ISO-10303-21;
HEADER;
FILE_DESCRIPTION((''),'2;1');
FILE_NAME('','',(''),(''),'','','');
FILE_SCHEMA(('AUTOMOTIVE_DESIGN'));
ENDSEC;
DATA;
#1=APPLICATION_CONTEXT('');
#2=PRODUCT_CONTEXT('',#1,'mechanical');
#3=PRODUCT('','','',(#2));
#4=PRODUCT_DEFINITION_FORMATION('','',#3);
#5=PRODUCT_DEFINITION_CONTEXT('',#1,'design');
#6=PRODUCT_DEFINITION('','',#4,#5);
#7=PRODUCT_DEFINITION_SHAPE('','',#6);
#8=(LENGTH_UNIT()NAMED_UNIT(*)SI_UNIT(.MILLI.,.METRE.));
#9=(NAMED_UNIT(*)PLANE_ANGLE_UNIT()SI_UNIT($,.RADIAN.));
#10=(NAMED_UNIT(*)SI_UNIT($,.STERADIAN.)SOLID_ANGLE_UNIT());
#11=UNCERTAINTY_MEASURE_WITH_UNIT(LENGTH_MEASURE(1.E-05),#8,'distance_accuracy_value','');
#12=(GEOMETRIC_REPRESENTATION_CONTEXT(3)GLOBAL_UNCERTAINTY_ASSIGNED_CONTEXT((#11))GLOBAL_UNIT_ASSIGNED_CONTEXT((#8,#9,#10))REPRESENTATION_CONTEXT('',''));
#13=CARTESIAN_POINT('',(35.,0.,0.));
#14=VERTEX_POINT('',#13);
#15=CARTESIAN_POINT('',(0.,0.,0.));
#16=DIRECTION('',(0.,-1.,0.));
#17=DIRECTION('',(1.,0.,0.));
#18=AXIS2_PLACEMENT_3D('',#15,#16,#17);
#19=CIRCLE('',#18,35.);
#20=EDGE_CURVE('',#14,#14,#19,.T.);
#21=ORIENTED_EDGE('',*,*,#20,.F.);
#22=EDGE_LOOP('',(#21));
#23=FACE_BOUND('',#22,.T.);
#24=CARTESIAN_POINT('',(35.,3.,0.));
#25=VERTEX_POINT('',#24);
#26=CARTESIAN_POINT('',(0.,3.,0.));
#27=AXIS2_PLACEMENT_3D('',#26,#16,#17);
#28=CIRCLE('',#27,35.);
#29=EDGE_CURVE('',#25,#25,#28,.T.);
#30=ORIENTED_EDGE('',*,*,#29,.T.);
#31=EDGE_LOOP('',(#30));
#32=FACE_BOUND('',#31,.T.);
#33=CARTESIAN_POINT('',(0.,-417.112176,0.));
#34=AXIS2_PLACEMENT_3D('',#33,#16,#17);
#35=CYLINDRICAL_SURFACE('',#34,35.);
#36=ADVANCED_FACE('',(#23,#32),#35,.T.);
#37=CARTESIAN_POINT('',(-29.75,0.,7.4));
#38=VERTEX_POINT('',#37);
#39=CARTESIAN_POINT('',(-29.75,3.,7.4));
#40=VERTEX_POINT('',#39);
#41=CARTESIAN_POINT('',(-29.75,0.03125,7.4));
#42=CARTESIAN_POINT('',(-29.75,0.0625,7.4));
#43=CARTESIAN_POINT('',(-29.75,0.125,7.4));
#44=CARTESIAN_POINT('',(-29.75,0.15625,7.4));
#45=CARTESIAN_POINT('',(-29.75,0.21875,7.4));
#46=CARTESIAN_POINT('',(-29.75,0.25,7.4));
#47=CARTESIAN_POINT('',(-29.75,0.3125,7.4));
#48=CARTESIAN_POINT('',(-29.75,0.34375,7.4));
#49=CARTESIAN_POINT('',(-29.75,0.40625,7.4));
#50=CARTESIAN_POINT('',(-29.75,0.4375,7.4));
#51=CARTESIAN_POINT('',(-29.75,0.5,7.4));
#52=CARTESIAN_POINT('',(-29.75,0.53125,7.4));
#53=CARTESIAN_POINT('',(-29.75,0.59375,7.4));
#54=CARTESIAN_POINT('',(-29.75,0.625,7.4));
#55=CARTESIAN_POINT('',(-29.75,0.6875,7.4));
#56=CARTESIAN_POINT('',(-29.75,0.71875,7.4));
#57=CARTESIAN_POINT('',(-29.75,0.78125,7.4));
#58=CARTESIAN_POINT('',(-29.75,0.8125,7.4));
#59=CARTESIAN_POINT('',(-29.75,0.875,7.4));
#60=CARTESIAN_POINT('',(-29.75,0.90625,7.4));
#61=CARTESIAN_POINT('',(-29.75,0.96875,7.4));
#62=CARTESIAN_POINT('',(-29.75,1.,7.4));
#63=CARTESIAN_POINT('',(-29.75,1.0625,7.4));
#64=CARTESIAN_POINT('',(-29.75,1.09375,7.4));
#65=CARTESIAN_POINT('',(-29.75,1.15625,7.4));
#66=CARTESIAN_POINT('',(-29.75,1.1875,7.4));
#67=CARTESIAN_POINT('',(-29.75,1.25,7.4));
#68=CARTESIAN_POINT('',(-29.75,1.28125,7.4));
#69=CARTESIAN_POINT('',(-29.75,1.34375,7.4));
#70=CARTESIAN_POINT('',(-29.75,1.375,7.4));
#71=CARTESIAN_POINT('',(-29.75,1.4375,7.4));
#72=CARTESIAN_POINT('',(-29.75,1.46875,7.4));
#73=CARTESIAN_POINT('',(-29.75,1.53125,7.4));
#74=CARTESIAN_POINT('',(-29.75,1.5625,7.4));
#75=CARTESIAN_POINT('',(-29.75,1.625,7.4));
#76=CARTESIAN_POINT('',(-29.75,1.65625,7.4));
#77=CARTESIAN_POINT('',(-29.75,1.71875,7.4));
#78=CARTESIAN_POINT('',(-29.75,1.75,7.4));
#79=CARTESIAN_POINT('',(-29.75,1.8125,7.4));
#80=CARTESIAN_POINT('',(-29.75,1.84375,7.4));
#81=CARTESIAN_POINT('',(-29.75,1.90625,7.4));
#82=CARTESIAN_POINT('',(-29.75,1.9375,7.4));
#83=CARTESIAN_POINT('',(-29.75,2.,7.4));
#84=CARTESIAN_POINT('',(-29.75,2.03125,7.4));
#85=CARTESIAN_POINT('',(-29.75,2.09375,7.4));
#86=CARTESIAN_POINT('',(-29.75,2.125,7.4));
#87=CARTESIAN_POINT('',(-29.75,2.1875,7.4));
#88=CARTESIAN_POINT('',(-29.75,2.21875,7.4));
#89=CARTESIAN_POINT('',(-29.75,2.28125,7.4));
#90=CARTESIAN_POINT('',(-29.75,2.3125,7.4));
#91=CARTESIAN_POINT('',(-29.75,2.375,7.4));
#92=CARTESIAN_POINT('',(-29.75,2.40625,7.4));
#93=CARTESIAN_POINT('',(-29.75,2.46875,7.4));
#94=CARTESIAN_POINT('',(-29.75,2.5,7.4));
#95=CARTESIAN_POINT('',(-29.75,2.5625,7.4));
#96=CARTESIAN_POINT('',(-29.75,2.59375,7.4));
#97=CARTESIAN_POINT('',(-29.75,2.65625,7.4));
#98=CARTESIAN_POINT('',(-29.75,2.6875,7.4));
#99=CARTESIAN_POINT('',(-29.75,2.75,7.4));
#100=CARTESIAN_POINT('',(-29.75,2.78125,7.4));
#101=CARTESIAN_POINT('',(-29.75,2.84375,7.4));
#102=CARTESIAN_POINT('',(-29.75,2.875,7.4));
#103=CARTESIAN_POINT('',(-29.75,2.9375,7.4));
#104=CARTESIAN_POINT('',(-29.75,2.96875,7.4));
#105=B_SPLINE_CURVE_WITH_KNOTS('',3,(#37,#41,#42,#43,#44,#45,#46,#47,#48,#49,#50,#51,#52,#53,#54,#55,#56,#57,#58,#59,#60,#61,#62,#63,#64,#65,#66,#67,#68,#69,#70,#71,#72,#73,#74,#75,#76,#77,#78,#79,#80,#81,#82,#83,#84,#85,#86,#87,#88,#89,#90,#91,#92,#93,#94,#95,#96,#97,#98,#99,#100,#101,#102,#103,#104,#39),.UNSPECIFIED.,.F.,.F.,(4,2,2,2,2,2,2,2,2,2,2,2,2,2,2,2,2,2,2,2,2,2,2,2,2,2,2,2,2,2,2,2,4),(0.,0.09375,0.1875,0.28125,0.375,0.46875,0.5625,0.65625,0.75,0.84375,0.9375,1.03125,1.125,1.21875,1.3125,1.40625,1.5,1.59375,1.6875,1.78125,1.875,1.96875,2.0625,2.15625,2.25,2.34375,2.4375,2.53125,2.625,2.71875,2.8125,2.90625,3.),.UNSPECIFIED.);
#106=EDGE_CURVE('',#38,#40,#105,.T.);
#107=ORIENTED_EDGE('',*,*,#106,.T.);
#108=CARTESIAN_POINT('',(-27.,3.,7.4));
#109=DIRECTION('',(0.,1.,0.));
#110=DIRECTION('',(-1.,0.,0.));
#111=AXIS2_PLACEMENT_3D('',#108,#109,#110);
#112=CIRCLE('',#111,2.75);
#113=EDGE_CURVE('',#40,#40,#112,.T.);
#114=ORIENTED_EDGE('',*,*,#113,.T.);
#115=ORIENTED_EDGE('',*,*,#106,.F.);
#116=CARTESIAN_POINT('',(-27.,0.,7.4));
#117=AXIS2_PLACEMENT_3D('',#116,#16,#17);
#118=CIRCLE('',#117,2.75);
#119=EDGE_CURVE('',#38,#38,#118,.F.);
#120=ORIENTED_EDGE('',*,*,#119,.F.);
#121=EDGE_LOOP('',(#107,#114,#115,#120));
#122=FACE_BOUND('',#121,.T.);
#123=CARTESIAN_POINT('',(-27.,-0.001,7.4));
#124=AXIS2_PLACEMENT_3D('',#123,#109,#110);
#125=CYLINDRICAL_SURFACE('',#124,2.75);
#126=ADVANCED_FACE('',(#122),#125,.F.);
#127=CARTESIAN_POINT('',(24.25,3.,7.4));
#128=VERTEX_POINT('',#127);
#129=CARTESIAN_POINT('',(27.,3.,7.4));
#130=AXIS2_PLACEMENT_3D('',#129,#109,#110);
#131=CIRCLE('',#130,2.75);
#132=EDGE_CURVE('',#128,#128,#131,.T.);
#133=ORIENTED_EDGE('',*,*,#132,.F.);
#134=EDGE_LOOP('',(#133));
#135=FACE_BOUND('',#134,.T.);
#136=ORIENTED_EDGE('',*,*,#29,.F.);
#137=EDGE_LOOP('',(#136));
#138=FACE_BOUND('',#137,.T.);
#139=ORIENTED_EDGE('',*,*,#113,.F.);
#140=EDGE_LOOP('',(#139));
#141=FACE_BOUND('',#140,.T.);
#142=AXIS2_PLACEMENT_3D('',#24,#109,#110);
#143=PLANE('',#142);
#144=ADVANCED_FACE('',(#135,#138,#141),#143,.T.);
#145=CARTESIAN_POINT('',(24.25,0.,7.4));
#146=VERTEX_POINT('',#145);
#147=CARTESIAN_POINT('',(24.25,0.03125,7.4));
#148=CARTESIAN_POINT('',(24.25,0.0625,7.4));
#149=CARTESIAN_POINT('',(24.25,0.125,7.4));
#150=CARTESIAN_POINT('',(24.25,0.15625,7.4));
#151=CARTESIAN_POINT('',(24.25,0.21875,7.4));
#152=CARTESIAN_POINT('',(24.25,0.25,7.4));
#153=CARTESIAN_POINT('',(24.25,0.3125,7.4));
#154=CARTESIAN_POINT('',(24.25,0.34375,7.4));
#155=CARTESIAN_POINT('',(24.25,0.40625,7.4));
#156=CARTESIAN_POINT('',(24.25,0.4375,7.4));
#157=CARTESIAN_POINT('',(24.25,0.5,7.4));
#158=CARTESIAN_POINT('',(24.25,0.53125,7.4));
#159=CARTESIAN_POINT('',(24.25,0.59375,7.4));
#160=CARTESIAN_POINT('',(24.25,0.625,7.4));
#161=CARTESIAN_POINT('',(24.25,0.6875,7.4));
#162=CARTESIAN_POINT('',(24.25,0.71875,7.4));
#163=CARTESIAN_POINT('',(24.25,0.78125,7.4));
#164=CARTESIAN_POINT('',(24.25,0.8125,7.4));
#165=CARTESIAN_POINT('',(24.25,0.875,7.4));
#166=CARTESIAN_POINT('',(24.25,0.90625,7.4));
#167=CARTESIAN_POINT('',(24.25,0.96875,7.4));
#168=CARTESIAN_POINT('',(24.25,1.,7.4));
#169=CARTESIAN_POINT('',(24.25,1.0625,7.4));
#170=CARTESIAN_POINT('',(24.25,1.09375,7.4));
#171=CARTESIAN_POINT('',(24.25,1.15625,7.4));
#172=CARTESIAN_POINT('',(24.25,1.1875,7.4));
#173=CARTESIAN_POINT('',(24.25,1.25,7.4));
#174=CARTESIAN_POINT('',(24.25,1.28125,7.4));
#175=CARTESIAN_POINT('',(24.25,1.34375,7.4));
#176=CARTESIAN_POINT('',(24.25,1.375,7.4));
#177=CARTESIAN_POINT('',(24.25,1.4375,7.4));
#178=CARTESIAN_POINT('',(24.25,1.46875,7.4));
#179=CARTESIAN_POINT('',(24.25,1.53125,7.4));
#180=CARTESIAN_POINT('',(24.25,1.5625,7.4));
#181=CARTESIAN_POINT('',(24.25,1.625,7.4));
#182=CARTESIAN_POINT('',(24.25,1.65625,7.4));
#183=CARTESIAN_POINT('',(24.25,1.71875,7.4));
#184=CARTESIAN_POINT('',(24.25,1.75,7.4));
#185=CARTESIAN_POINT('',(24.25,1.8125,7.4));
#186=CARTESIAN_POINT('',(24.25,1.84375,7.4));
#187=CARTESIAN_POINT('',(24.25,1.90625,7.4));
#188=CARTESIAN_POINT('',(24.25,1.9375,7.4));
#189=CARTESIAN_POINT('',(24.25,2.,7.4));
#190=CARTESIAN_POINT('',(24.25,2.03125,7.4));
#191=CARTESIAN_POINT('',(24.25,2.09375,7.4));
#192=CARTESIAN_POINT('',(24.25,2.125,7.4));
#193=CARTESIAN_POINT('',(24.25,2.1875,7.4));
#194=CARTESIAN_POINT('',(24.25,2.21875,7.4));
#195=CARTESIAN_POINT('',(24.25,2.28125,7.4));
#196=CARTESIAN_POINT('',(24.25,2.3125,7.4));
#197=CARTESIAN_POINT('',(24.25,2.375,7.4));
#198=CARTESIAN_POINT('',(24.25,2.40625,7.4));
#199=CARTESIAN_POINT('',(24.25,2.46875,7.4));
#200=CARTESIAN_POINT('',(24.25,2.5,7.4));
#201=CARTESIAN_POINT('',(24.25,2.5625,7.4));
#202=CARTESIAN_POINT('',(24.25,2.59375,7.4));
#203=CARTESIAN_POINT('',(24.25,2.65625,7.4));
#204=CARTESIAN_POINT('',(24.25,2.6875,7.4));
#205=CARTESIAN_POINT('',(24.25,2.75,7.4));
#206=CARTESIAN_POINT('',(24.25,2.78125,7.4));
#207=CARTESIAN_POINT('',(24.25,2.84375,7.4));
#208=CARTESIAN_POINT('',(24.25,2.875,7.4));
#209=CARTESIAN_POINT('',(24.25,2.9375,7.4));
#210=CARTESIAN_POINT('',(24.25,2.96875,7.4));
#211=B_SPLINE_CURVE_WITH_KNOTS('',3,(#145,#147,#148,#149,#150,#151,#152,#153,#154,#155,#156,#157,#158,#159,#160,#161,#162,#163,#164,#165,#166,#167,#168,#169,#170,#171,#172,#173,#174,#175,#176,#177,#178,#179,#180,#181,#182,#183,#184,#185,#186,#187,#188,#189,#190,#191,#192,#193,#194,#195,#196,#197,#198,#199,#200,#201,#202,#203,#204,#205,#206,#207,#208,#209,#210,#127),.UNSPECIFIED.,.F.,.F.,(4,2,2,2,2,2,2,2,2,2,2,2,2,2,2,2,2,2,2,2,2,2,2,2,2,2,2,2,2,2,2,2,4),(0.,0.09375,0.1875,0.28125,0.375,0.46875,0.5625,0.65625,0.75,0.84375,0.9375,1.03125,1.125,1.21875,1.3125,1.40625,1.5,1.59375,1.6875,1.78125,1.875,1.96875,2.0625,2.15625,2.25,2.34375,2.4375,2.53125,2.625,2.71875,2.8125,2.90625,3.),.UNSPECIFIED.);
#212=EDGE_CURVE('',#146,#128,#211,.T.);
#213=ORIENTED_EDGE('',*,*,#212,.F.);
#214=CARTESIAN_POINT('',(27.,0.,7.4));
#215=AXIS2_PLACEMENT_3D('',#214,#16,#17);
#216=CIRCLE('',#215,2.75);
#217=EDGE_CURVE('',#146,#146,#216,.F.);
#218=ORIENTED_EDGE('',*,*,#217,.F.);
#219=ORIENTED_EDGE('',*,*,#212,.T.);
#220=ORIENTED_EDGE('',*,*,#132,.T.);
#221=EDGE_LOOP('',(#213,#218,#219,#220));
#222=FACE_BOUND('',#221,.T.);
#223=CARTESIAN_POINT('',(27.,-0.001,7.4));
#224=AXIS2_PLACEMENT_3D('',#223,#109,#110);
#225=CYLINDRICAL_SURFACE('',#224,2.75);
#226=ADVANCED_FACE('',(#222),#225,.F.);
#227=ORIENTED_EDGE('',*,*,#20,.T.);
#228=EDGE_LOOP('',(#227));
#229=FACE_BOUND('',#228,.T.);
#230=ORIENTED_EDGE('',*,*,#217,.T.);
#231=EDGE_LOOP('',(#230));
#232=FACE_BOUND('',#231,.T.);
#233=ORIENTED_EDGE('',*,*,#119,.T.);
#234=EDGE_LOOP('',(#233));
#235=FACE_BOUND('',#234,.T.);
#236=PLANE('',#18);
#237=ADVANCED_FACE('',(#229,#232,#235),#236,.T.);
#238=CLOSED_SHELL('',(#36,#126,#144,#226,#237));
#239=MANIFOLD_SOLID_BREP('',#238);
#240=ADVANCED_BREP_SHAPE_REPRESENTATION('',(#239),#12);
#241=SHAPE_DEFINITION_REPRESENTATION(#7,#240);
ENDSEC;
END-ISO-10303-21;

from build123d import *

# Parameters (mm, degrees)
SKETCH2_W          = 35
SKETCH2_H          = 3
CUT_EXTRUDE2_REACH = 51.588
SKETCH4_R          = 2.75


with BuildPart() as part:
    # Sketch2 → Revolve1 (revolve)
    with BuildSketch(Plane.XY):
        with Locations((17.5, 1.5)):
            Rectangle(SKETCH2_W, SKETCH2_H)
    revolve(axis=Axis((0, -417.112175525, 0), (0, 1, 0)))

    # Sketch4 → Cut-Extrude2 (cut, up to next)
    with BuildSketch(Plane(origin=(0, 3, 0), x_dir=(1, 0, 0), z_dir=(0, 1, 0)), mode=Mode.PRIVATE) as cut_extrude2_sk1:
        with Locations(Location((-27, -7.4, 0), (0, 0, 180))):
            Circle(SKETCH4_R)
    cut_extrude2_tool1 = extrude(cut_extrude2_sk1.sketch, amount=-CUT_EXTRUDE2_REACH, mode=Mode.PRIVATE) & part.part
    # Sketch4 → Cut-Extrude2 (cut, up to next)
    with BuildSketch(Plane(origin=(0, 3, 0), x_dir=(1, 0, 0), z_dir=(0, 1, 0)), mode=Mode.PRIVATE) as cut_extrude2_sk2:
        with Locations(Location((27, -7.4, 0), (0, 0, 180))):
            Circle(SKETCH4_R)
    cut_extrude2_tool2 = extrude(cut_extrude2_sk2.sketch, amount=-CUT_EXTRUDE2_REACH, mode=Mode.PRIVATE) & part.part
    add(cut_extrude2_tool1.solids().sort_by_distance((-27, 3, 7.4))[0], mode=Mode.SUBTRACT)
    add(cut_extrude2_tool2.solids().sort_by_distance((27, 3, 7.4))[0], mode=Mode.SUBTRACT)


solid = part.part
